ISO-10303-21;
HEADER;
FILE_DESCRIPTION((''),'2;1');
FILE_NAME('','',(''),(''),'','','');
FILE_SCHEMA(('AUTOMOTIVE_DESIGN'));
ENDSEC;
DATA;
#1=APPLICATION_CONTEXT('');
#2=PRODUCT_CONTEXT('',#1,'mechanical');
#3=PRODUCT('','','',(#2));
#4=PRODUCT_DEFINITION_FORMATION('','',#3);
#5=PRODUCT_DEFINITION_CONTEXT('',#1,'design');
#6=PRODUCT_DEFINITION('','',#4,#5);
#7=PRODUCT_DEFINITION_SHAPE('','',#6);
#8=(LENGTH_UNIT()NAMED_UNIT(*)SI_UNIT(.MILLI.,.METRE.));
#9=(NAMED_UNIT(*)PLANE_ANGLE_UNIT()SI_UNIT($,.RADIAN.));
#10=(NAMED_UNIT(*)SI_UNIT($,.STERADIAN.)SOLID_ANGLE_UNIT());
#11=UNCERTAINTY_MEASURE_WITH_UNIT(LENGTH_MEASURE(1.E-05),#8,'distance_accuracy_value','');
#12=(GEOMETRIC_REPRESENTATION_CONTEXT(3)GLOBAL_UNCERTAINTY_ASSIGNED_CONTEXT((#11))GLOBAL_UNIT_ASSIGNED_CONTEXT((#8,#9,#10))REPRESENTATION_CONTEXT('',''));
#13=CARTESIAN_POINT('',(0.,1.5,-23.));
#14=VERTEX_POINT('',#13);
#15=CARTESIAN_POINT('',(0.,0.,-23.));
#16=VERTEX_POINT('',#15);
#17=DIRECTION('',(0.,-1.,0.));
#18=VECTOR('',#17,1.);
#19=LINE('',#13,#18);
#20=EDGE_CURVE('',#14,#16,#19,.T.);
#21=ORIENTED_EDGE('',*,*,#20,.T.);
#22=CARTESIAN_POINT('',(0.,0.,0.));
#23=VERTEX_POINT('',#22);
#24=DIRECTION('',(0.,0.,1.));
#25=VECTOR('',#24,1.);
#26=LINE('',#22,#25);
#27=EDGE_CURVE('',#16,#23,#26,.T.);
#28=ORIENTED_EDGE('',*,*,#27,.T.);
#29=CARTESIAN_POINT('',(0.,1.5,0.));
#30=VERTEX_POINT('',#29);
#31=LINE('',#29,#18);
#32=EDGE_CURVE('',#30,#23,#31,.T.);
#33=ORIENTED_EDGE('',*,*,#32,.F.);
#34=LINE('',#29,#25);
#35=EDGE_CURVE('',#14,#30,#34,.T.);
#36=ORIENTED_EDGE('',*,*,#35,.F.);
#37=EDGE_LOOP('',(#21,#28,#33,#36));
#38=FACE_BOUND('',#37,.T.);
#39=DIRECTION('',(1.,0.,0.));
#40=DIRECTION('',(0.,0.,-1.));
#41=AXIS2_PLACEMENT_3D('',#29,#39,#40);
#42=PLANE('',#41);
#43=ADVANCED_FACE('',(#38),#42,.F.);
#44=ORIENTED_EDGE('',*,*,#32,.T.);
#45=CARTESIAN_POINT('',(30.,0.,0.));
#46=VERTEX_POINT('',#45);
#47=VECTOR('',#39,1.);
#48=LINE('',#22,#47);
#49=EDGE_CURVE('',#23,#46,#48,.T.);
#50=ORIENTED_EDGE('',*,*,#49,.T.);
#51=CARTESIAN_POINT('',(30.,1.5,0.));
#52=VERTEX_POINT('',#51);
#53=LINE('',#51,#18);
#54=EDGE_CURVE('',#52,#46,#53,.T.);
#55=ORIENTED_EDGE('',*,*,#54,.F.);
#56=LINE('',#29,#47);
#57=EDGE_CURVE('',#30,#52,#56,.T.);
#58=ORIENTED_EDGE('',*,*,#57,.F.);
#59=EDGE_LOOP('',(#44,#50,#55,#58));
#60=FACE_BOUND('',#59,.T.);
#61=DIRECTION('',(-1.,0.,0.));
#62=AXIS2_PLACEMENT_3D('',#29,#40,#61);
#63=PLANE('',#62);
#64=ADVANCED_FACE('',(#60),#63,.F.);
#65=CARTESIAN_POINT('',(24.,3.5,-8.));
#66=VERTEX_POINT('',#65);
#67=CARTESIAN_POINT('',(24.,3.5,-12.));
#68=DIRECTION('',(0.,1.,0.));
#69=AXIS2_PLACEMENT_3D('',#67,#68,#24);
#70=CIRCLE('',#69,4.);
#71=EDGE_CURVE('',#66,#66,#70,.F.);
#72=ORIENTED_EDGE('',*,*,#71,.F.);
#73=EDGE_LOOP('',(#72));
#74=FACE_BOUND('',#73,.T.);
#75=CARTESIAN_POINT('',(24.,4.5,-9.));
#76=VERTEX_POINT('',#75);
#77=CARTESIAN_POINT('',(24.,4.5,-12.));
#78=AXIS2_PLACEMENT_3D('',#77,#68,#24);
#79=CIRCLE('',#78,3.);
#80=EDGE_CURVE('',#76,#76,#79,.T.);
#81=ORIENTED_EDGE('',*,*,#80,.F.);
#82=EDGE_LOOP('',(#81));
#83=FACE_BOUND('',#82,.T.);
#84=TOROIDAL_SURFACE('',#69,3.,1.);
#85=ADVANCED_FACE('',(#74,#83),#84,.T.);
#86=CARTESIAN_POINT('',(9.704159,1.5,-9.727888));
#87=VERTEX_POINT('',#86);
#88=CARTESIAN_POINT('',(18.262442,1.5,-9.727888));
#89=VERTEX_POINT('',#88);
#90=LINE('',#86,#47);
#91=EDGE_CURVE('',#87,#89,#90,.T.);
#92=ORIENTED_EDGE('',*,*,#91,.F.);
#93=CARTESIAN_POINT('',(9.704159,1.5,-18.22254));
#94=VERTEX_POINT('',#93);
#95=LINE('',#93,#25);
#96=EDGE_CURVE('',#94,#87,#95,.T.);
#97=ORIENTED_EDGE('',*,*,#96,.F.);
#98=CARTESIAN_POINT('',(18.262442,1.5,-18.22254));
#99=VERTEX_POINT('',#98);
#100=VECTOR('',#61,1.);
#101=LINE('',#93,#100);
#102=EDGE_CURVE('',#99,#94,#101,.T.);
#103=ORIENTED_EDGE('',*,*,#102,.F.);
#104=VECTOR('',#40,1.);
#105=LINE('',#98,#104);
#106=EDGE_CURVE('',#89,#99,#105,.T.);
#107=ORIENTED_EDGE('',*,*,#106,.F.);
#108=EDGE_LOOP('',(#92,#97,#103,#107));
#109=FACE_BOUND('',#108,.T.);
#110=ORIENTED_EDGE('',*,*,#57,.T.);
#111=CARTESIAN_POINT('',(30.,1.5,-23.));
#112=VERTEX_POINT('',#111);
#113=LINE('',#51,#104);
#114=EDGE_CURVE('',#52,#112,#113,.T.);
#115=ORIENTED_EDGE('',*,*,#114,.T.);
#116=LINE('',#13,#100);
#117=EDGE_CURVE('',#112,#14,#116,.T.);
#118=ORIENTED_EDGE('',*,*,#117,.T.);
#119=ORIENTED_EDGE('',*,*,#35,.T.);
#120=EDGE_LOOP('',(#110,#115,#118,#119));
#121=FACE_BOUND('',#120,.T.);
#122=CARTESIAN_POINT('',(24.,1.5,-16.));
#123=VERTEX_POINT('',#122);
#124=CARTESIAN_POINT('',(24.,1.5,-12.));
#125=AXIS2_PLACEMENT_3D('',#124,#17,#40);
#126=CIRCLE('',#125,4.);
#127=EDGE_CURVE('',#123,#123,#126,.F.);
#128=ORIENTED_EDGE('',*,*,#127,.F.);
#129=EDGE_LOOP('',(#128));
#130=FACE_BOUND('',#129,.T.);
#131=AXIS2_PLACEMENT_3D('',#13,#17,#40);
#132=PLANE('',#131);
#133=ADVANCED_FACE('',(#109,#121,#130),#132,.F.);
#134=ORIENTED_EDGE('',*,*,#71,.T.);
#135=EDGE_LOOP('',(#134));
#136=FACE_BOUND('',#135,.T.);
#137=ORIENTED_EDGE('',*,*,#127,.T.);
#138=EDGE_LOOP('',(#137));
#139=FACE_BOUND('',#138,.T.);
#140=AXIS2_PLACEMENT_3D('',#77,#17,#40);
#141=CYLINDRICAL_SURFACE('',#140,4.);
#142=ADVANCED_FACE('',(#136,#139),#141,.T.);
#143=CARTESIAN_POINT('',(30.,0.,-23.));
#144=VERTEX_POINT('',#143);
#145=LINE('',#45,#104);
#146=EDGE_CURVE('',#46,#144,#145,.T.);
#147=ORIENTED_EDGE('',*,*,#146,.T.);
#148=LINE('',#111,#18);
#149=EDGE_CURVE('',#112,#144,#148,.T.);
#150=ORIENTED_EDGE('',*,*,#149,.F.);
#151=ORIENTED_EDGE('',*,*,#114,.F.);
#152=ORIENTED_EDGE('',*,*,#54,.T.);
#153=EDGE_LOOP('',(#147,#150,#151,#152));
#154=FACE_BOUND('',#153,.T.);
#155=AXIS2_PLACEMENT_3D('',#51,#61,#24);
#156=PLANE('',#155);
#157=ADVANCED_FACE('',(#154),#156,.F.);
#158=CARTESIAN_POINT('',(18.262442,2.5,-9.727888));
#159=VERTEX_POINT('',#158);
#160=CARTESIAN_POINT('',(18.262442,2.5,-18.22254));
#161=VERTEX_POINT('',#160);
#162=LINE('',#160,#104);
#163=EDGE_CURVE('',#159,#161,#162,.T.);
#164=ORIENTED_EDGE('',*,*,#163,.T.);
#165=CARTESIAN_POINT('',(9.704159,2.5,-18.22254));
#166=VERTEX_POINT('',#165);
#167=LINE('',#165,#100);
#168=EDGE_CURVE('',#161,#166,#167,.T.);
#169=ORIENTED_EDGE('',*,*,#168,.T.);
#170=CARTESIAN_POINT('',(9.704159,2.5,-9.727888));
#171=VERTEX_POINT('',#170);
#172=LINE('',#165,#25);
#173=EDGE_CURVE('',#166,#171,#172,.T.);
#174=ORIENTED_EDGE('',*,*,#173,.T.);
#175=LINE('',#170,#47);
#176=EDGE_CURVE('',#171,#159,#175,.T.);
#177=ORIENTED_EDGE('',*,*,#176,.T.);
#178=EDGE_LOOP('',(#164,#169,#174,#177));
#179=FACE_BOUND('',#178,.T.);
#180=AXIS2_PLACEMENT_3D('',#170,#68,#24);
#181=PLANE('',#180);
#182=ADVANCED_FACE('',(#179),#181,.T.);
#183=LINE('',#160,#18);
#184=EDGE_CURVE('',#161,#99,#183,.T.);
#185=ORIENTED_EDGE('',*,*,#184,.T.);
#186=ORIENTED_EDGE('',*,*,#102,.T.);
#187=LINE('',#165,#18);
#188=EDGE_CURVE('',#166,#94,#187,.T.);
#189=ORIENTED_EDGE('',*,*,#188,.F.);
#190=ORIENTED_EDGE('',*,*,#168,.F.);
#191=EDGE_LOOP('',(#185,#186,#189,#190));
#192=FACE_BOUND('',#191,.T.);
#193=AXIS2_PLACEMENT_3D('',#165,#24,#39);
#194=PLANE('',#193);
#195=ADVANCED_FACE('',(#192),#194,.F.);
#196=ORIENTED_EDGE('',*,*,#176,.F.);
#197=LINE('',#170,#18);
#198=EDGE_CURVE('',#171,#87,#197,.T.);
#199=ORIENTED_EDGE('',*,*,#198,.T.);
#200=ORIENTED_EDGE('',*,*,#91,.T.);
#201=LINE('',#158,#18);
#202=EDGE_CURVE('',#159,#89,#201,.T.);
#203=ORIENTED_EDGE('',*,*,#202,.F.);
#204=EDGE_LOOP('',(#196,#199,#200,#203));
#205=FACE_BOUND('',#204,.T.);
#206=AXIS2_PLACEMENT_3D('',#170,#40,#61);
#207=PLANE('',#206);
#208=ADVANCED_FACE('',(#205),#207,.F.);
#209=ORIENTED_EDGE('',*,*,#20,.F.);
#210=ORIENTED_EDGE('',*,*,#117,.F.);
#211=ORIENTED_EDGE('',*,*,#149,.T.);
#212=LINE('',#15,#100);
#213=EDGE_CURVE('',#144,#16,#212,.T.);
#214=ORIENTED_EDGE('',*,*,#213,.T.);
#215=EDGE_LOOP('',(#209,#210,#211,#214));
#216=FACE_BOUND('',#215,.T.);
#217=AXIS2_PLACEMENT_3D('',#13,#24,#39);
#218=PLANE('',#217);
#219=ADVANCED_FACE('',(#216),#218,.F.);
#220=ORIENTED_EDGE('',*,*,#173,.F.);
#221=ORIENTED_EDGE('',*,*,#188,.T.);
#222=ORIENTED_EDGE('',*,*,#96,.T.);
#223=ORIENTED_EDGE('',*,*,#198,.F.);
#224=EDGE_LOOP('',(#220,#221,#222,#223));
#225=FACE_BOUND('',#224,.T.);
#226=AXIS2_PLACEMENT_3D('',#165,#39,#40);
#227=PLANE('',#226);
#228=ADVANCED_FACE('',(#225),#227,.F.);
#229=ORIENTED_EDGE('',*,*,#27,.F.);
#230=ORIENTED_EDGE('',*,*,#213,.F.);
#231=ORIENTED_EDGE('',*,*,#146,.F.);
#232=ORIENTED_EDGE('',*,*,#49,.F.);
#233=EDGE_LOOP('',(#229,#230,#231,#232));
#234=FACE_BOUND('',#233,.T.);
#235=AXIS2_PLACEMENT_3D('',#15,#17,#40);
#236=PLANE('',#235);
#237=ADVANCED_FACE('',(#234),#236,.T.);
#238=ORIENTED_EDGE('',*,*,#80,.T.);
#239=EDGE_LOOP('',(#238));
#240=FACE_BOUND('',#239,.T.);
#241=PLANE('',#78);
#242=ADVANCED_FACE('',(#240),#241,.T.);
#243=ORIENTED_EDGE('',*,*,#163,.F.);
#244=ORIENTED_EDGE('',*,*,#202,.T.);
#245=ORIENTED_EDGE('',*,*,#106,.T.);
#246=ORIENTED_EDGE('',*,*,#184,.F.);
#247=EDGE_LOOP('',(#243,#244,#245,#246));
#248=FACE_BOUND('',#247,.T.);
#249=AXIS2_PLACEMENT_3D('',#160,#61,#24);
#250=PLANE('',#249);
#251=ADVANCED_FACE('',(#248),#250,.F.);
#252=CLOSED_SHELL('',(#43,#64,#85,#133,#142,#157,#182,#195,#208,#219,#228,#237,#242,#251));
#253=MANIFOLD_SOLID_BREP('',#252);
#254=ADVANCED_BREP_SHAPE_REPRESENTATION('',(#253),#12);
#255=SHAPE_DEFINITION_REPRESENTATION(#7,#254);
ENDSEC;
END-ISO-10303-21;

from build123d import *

# Parameters (mm, degrees)
ESBO_O1_W                = 30
ESBO_O1_H                = 23
RESSALTO_EXTRUS_O1_DEPTH = 1.5
ESBO_O2_W                = 8.558282237
ESBO_O2_H                = 8.494651886
RESSALTO_EXTRUS_O2_DEPTH = 1
ESBO_O3_R                = 4
RESSALTO_EXTRUS_O3_DEPTH = 3
FILETE1_R                = 1


with BuildPart() as part:
    # Esboço1 → Ressalto-extrusão1 (new body)
    with BuildSketch(Plane(origin=(0, 0, 0), x_dir=(1, 0, 0), z_dir=(0, 1, 0))):
        with Locations((15, 11.5)):
            Rectangle(ESBO_O1_W, ESBO_O1_H)
    extrude(amount=RESSALTO_EXTRUS_O1_DEPTH)

    # Esboço2 → Ressalto-extrusão2 (add)
    with BuildSketch(Plane(origin=(0, 1.5, 0), x_dir=(-1, 0, 0), z_dir=(0, 1, 0))):
        with Locations((-13.983300564, -13.975214048)):
            Rectangle(ESBO_O2_W, ESBO_O2_H)
    extrude(amount=RESSALTO_EXTRUS_O2_DEPTH)

    # Esboço3 → Ressalto-extrusão3 (add)
    with BuildSketch(Plane(origin=(0, 1.5, 0), x_dir=(1, 0, 0), z_dir=(0, 1, 0))):
        with Locations((24, 12)):
            Circle(ESBO_O3_R)
    extrude(amount=RESSALTO_EXTRUS_O3_DEPTH)

    # Filete1
    filete1_edges = [part.edges().sort_by_distance(p)[0] for p in [
        (20, 4.5, -12),
    ]]
    fillet(filete1_edges, radius=FILETE1_R)


solid = part.part
